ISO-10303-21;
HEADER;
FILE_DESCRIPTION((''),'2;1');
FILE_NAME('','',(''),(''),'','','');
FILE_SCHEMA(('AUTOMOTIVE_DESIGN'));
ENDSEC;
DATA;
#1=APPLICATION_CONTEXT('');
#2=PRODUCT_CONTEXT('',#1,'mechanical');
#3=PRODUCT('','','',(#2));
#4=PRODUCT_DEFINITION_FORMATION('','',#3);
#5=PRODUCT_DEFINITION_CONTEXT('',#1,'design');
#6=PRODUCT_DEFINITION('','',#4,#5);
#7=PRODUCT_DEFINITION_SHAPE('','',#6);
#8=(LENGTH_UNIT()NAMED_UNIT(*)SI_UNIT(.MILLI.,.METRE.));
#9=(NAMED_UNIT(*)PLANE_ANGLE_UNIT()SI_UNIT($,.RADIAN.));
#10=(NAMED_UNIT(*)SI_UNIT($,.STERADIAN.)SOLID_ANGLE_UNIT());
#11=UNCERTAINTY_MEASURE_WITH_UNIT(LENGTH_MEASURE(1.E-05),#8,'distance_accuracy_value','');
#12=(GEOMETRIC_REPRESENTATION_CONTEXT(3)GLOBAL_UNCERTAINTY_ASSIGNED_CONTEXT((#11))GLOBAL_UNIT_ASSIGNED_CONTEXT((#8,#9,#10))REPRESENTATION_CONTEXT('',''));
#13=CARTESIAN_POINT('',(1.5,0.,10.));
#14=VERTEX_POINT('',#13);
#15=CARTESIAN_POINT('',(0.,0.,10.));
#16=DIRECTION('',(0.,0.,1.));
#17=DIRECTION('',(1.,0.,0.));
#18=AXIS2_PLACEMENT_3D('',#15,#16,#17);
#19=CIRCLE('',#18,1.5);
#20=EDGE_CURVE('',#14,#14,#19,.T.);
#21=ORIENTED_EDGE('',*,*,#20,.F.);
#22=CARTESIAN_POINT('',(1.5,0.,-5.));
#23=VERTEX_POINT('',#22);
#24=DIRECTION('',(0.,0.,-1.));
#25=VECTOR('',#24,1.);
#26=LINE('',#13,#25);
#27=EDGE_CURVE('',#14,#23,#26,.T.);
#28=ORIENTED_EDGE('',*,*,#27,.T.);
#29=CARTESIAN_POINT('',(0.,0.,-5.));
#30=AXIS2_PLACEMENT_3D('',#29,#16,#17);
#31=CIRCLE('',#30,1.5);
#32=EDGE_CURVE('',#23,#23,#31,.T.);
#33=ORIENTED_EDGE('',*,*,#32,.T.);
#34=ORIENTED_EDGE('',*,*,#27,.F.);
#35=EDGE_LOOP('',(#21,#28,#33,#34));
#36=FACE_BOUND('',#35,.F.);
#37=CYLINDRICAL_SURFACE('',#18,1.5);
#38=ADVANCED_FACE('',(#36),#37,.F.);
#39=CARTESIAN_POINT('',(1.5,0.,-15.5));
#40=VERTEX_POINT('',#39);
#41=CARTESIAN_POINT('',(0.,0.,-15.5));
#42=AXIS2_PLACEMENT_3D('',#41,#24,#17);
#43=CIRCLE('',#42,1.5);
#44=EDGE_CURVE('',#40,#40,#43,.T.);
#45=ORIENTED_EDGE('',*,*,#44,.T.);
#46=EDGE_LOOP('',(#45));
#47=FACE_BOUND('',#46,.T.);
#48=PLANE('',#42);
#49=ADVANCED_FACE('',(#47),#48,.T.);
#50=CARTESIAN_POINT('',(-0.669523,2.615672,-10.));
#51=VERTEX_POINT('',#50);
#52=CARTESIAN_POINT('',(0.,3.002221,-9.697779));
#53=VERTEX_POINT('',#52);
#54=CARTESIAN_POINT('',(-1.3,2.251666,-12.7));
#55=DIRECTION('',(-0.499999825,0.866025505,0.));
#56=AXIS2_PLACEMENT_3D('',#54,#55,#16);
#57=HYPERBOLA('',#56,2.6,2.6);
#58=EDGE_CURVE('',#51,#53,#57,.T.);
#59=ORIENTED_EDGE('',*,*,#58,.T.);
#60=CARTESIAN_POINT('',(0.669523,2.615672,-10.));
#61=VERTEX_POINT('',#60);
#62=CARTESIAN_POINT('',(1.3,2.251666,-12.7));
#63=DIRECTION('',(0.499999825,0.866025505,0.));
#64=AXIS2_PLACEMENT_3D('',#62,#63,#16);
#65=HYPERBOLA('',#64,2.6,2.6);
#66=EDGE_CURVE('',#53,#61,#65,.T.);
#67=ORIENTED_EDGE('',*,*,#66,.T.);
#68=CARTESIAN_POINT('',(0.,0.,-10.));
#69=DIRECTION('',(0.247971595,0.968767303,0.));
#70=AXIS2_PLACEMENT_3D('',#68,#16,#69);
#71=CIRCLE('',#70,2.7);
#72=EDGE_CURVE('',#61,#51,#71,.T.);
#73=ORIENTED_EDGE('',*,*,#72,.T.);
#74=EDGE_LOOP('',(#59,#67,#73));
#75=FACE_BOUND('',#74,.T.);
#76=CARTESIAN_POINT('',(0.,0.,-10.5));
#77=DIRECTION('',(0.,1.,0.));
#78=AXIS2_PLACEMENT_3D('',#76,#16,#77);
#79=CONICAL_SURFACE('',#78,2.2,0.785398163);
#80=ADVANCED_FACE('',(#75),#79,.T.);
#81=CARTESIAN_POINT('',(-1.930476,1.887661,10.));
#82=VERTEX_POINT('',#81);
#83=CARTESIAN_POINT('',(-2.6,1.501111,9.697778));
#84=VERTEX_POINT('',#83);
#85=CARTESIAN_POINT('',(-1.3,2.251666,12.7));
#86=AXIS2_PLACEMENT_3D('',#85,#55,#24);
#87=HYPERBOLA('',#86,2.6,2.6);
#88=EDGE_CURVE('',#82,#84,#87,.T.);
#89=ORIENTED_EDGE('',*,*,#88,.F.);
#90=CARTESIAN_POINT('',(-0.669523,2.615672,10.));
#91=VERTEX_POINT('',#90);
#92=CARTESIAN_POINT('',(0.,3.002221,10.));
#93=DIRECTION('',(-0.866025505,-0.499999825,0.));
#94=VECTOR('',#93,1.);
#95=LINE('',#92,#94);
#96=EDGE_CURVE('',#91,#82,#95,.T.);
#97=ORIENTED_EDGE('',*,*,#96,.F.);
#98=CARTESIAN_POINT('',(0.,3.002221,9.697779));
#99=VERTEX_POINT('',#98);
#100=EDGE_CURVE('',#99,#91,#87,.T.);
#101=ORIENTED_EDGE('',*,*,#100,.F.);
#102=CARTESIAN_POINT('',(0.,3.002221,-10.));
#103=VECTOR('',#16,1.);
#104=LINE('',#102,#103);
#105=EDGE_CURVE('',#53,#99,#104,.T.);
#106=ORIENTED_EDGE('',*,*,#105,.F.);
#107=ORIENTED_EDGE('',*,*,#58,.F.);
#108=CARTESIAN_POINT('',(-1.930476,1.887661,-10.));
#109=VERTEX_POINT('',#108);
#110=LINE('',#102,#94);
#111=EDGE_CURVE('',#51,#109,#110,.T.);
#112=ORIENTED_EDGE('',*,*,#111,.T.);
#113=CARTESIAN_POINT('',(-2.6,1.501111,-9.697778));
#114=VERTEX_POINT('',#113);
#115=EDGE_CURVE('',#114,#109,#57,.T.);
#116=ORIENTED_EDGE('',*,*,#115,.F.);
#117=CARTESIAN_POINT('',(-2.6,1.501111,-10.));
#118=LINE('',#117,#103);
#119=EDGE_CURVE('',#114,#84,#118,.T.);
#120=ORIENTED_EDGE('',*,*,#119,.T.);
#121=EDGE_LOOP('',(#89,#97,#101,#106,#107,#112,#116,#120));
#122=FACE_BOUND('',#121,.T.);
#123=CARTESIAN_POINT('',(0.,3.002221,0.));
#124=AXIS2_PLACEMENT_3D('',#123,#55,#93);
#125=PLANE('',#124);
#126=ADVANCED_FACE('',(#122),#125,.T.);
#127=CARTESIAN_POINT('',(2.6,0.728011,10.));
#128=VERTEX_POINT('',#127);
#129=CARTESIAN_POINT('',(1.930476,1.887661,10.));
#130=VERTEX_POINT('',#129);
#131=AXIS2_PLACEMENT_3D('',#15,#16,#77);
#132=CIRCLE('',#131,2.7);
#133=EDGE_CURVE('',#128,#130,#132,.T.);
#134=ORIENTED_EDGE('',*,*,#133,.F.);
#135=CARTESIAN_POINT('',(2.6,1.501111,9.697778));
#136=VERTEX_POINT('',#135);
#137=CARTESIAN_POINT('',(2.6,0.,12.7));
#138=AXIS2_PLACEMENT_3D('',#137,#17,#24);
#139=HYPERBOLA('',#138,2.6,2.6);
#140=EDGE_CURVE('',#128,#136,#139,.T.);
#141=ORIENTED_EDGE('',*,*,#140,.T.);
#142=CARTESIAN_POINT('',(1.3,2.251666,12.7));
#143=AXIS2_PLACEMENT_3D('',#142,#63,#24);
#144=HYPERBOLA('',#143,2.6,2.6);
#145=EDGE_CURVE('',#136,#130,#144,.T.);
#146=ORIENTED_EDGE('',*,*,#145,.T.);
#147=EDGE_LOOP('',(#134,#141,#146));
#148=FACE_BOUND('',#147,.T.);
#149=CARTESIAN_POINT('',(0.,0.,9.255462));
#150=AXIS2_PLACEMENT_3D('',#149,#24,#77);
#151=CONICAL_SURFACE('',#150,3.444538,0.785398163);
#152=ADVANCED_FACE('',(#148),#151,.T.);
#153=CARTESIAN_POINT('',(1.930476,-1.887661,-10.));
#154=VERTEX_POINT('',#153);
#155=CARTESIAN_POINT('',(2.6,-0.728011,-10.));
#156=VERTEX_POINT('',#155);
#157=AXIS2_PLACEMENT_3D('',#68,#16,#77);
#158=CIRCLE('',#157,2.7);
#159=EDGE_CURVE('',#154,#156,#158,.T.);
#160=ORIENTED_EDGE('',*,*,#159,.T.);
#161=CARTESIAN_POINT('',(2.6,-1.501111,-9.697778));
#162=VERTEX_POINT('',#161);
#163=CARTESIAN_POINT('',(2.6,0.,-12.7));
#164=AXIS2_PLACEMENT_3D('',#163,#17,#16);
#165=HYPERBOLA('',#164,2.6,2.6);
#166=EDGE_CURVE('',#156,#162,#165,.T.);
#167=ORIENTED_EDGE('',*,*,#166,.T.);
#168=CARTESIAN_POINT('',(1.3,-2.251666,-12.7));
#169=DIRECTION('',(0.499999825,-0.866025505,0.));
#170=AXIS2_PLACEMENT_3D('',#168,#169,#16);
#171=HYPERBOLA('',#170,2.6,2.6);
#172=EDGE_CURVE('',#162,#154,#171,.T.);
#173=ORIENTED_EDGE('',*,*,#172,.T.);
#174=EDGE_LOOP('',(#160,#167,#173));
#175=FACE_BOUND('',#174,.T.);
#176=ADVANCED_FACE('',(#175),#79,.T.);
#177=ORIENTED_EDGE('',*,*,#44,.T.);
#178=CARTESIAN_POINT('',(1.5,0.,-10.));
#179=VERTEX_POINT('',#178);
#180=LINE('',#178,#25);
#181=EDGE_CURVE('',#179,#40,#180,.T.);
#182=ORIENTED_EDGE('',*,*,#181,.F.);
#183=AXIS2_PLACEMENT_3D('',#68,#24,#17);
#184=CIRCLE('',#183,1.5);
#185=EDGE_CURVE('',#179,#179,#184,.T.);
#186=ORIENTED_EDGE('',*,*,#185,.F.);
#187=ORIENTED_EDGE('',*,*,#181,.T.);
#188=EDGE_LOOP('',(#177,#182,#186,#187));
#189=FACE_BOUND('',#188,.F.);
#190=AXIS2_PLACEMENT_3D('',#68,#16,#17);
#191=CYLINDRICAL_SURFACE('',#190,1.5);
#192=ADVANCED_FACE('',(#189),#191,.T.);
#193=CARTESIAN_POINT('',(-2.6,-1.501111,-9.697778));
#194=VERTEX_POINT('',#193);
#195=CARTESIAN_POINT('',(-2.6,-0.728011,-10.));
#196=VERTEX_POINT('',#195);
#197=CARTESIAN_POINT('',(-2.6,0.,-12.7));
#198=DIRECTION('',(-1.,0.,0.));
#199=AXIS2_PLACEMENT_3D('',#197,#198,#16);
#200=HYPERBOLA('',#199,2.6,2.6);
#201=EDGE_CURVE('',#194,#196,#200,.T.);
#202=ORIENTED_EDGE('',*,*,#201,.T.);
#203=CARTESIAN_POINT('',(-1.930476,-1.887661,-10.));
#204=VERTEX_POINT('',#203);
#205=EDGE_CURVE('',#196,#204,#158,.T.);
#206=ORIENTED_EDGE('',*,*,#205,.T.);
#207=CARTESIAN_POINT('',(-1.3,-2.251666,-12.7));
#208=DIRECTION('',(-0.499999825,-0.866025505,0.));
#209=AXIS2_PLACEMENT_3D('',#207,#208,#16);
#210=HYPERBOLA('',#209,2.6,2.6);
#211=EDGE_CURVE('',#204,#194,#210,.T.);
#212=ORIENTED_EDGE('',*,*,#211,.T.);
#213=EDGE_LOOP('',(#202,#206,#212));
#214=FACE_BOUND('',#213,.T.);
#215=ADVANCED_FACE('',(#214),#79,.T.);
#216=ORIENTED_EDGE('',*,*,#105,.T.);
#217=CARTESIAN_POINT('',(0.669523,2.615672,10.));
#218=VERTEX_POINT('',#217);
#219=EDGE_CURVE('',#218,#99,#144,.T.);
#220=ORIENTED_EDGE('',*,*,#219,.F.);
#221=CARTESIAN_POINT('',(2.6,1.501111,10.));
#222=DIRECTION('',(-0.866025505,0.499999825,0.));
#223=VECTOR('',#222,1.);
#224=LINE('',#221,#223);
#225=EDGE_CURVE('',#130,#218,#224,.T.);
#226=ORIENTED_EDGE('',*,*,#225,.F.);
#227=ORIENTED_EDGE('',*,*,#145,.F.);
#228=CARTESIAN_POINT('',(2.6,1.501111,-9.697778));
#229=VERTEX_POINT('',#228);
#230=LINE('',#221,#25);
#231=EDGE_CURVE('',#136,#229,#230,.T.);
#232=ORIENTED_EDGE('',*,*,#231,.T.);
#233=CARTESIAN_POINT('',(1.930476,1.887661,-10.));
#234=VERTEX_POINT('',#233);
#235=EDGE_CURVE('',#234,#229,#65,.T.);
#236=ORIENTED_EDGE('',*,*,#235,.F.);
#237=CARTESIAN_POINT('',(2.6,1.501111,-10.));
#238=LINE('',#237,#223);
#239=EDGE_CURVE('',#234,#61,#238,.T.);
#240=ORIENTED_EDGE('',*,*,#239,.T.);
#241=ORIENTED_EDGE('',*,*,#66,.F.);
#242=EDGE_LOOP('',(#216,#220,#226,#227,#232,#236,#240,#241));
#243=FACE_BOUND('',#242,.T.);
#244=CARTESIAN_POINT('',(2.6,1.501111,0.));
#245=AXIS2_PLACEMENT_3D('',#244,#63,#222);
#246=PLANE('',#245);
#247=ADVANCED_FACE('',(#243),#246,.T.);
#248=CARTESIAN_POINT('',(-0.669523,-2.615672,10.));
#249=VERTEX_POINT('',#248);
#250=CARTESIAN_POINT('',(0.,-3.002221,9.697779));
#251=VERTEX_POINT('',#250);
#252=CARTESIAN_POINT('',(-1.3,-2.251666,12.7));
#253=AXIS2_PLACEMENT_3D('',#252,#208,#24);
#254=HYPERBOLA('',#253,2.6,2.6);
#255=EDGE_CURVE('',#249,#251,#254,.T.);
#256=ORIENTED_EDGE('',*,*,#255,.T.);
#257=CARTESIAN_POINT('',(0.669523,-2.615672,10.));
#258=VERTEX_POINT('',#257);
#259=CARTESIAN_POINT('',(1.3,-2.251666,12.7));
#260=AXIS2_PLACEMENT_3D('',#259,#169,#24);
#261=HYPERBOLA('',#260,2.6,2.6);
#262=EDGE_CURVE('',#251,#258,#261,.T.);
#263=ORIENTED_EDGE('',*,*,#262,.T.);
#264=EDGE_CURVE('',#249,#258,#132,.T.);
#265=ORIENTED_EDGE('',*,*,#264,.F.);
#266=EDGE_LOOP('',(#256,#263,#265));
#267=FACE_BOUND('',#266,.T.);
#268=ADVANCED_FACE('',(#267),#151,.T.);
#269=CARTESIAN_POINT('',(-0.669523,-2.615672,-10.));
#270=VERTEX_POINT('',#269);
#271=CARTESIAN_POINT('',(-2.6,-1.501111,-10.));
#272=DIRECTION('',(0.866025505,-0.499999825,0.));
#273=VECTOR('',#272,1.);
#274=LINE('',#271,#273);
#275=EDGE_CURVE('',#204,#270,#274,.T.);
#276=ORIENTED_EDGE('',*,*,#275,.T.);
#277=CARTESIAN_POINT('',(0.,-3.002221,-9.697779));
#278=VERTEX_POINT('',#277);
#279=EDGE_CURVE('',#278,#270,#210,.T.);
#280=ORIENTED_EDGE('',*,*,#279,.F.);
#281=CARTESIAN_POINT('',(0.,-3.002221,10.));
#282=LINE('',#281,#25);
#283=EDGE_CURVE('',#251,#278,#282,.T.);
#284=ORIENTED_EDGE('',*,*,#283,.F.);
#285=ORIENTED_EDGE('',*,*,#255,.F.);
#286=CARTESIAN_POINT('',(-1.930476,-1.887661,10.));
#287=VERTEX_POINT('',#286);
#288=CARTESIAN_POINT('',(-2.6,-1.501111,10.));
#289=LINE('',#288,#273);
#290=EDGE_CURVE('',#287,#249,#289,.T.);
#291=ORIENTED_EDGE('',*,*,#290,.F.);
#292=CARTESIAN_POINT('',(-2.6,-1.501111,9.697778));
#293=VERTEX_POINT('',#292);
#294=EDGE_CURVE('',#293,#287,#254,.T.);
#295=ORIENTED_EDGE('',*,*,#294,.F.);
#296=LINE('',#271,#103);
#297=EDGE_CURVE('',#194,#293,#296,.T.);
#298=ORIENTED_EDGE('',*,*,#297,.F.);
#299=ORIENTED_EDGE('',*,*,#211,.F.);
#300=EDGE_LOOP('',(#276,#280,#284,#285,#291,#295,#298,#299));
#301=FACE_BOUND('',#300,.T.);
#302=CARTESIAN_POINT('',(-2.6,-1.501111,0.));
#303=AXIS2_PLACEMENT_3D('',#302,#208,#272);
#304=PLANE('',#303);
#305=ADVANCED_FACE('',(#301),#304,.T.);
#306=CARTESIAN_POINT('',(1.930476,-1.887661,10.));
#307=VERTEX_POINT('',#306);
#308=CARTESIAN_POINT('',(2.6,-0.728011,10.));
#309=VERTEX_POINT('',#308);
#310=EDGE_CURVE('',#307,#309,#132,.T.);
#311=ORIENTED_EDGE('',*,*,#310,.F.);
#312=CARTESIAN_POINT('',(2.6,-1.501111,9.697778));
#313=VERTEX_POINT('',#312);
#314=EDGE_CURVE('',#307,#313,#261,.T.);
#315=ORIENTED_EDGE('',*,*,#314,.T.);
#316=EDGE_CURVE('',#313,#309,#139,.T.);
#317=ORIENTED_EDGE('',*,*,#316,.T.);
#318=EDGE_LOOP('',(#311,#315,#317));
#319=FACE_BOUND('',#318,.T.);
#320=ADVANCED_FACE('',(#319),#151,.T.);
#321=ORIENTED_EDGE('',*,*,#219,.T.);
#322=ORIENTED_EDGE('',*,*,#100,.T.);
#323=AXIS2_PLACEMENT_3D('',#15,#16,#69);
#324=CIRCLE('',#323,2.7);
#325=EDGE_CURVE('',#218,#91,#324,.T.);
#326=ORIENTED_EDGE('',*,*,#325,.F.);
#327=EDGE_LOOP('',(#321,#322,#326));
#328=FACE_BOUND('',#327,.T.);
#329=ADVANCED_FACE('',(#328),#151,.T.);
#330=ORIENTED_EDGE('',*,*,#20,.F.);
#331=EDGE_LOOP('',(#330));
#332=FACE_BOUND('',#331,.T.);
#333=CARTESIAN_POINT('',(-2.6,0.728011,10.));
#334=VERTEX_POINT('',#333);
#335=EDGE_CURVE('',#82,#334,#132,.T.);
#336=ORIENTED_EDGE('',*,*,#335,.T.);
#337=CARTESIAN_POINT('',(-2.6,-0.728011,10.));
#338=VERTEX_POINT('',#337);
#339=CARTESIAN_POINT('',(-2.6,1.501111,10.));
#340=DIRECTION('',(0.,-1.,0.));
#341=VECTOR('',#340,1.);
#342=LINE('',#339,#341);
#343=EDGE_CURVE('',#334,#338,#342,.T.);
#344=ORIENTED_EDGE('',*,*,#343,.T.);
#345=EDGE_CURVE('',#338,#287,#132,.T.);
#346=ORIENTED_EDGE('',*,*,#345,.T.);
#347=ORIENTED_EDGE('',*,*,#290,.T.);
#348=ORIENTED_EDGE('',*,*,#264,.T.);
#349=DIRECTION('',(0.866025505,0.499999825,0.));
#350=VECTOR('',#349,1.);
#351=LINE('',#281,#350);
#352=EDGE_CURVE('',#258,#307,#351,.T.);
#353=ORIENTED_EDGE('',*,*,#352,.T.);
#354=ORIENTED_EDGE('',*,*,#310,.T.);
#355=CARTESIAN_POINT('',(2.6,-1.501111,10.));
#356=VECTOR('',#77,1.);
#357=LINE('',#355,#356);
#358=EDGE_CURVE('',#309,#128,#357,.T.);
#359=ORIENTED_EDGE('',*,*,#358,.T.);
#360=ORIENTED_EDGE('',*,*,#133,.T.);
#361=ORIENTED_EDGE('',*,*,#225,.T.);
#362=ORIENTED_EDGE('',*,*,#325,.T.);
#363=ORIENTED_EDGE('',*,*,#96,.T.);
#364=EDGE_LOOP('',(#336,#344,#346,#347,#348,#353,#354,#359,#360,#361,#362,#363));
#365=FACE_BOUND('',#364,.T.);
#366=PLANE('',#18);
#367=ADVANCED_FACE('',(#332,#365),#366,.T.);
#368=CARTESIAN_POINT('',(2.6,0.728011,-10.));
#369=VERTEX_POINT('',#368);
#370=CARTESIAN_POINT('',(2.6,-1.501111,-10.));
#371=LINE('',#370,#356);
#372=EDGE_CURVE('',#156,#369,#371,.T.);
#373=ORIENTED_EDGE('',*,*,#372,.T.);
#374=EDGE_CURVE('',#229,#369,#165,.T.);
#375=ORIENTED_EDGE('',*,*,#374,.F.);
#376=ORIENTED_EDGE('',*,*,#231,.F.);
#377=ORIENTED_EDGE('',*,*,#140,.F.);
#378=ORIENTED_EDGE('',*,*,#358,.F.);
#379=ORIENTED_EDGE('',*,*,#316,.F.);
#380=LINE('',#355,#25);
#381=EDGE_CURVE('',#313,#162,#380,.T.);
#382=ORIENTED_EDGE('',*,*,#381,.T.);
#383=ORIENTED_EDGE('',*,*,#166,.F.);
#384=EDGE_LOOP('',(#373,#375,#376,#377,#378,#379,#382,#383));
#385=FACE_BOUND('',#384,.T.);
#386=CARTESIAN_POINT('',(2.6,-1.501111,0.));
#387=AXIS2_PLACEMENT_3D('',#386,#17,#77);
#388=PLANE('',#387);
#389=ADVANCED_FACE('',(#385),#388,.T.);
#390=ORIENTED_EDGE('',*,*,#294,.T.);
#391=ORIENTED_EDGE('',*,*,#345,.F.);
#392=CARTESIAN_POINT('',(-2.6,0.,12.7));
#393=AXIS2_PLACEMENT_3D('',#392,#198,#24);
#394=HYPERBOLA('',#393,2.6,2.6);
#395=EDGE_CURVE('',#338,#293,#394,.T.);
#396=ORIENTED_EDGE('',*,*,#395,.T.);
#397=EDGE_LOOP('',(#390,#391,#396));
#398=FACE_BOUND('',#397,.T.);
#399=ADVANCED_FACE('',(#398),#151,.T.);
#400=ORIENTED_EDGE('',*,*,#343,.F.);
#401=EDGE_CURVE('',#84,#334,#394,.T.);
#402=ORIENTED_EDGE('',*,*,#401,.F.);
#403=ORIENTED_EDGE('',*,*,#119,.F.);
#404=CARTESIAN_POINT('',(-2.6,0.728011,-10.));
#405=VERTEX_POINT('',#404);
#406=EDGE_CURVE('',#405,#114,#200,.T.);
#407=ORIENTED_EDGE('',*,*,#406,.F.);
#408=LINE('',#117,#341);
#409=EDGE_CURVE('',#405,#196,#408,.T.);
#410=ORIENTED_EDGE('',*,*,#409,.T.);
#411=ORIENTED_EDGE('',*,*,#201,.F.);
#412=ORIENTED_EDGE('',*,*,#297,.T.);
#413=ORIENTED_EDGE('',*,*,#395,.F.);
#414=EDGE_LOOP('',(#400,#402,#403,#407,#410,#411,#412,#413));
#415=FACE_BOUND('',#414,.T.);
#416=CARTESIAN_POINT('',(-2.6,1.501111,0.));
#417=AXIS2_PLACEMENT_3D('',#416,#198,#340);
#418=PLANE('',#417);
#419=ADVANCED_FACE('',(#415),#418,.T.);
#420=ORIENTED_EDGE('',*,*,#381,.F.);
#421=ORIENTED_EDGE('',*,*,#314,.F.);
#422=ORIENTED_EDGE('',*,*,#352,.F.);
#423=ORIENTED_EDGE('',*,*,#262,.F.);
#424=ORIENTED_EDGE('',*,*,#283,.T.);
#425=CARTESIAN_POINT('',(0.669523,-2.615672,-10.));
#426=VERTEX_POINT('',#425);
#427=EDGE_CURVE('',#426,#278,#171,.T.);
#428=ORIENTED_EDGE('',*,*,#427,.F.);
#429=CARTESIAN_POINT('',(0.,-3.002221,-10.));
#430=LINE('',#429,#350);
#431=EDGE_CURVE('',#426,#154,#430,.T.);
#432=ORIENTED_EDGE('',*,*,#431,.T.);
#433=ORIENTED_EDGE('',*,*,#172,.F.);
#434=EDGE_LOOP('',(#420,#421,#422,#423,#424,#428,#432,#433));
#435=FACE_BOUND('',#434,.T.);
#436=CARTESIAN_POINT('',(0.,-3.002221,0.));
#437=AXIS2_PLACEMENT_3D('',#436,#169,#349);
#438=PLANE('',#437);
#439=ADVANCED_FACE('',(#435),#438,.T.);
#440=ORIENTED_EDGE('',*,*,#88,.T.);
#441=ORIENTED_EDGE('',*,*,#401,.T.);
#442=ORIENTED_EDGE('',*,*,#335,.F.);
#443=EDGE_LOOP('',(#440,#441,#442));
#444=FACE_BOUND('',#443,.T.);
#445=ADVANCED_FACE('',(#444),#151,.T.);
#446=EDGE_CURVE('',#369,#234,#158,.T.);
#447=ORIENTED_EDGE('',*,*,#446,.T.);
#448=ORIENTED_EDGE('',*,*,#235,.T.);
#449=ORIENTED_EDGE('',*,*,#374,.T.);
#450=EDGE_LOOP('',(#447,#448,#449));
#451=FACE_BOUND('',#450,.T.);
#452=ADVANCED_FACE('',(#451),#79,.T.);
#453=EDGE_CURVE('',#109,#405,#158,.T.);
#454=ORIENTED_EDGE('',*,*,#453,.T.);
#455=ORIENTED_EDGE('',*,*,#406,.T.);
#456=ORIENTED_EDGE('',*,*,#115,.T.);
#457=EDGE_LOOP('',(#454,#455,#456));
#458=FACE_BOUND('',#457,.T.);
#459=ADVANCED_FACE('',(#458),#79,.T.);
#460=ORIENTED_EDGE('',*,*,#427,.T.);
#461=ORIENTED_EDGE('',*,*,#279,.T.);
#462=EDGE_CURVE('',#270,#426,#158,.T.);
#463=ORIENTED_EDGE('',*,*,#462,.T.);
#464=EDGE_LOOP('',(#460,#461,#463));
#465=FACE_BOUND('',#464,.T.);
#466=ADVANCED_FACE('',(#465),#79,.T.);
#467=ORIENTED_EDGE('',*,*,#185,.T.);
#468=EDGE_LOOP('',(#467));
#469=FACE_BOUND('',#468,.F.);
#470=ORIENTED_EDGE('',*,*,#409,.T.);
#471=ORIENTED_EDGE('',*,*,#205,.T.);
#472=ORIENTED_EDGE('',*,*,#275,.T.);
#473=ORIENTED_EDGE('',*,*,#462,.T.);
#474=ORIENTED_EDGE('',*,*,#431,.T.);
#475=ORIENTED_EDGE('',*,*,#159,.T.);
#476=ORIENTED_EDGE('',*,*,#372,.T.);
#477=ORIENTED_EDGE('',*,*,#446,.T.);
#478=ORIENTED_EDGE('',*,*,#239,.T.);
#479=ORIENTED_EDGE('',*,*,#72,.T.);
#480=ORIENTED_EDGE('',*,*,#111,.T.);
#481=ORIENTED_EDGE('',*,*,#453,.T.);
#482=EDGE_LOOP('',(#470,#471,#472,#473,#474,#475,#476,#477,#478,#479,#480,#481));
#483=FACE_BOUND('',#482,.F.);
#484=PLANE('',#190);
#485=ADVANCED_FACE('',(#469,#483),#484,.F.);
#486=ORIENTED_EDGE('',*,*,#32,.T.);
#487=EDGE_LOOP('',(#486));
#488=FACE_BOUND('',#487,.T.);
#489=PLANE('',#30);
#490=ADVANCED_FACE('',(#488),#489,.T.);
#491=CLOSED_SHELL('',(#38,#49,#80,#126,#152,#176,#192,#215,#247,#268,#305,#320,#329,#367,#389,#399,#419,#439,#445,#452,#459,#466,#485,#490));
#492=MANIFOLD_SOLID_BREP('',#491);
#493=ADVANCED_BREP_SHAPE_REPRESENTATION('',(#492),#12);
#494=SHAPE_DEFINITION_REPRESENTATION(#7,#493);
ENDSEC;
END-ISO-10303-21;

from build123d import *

# Parameters (mm, degrees)
PAD_DEPTH    = 10
SKETCH001_R  = 1.5
POCKET_DEPTH = 15
SKETCH002_R  = 1.5
PAD001_DEPTH = 5.5


with BuildPart() as body001:
    # Sketch003 → Revolution (revolve)
    with BuildSketch(Plane.YZ):
        Polygon((2.2, 10.5), (5.2, 10.5), (5.2, -10.5), (2.2, -10.5), (3.444538, -9.255462), (3.444538, 9.255462), align=None)
    revolve(axis=Axis((0, 0, 0), (0, 0, 1)))


with BuildPart() as cut:
    # Sketch → Pad (new body, symmetric)
    with BuildSketch(Plane.XY):
        Polygon((2.6, 1.501111), (0, 3.002221), (-2.6, 1.501111), (-2.6, -1.501111), (0, -3.002221), (2.6, -1.501111), align=None)
    extrude(amount=PAD_DEPTH, both=True)

    # Sketch001 (on Face8 of Pad) → Pocket (cut)
    with BuildSketch(Plane.XY.offset(10)):
        Circle(SKETCH001_R)
    extrude(amount=-POCKET_DEPTH, mode=Mode.SUBTRACT)

    # Sketch002 (on Face4 of Pocket) → Pad001 (join)
    with BuildSketch(Plane(origin=(0, 0, -10), x_dir=(1, 0, 0), z_dir=(0, 0, -1))):
        Circle(SKETCH002_R)
    extrude(amount=PAD001_DEPTH)

    # Cut: cut Body001
    add(body001.part, mode=Mode.SUBTRACT)


solid = cut.part
